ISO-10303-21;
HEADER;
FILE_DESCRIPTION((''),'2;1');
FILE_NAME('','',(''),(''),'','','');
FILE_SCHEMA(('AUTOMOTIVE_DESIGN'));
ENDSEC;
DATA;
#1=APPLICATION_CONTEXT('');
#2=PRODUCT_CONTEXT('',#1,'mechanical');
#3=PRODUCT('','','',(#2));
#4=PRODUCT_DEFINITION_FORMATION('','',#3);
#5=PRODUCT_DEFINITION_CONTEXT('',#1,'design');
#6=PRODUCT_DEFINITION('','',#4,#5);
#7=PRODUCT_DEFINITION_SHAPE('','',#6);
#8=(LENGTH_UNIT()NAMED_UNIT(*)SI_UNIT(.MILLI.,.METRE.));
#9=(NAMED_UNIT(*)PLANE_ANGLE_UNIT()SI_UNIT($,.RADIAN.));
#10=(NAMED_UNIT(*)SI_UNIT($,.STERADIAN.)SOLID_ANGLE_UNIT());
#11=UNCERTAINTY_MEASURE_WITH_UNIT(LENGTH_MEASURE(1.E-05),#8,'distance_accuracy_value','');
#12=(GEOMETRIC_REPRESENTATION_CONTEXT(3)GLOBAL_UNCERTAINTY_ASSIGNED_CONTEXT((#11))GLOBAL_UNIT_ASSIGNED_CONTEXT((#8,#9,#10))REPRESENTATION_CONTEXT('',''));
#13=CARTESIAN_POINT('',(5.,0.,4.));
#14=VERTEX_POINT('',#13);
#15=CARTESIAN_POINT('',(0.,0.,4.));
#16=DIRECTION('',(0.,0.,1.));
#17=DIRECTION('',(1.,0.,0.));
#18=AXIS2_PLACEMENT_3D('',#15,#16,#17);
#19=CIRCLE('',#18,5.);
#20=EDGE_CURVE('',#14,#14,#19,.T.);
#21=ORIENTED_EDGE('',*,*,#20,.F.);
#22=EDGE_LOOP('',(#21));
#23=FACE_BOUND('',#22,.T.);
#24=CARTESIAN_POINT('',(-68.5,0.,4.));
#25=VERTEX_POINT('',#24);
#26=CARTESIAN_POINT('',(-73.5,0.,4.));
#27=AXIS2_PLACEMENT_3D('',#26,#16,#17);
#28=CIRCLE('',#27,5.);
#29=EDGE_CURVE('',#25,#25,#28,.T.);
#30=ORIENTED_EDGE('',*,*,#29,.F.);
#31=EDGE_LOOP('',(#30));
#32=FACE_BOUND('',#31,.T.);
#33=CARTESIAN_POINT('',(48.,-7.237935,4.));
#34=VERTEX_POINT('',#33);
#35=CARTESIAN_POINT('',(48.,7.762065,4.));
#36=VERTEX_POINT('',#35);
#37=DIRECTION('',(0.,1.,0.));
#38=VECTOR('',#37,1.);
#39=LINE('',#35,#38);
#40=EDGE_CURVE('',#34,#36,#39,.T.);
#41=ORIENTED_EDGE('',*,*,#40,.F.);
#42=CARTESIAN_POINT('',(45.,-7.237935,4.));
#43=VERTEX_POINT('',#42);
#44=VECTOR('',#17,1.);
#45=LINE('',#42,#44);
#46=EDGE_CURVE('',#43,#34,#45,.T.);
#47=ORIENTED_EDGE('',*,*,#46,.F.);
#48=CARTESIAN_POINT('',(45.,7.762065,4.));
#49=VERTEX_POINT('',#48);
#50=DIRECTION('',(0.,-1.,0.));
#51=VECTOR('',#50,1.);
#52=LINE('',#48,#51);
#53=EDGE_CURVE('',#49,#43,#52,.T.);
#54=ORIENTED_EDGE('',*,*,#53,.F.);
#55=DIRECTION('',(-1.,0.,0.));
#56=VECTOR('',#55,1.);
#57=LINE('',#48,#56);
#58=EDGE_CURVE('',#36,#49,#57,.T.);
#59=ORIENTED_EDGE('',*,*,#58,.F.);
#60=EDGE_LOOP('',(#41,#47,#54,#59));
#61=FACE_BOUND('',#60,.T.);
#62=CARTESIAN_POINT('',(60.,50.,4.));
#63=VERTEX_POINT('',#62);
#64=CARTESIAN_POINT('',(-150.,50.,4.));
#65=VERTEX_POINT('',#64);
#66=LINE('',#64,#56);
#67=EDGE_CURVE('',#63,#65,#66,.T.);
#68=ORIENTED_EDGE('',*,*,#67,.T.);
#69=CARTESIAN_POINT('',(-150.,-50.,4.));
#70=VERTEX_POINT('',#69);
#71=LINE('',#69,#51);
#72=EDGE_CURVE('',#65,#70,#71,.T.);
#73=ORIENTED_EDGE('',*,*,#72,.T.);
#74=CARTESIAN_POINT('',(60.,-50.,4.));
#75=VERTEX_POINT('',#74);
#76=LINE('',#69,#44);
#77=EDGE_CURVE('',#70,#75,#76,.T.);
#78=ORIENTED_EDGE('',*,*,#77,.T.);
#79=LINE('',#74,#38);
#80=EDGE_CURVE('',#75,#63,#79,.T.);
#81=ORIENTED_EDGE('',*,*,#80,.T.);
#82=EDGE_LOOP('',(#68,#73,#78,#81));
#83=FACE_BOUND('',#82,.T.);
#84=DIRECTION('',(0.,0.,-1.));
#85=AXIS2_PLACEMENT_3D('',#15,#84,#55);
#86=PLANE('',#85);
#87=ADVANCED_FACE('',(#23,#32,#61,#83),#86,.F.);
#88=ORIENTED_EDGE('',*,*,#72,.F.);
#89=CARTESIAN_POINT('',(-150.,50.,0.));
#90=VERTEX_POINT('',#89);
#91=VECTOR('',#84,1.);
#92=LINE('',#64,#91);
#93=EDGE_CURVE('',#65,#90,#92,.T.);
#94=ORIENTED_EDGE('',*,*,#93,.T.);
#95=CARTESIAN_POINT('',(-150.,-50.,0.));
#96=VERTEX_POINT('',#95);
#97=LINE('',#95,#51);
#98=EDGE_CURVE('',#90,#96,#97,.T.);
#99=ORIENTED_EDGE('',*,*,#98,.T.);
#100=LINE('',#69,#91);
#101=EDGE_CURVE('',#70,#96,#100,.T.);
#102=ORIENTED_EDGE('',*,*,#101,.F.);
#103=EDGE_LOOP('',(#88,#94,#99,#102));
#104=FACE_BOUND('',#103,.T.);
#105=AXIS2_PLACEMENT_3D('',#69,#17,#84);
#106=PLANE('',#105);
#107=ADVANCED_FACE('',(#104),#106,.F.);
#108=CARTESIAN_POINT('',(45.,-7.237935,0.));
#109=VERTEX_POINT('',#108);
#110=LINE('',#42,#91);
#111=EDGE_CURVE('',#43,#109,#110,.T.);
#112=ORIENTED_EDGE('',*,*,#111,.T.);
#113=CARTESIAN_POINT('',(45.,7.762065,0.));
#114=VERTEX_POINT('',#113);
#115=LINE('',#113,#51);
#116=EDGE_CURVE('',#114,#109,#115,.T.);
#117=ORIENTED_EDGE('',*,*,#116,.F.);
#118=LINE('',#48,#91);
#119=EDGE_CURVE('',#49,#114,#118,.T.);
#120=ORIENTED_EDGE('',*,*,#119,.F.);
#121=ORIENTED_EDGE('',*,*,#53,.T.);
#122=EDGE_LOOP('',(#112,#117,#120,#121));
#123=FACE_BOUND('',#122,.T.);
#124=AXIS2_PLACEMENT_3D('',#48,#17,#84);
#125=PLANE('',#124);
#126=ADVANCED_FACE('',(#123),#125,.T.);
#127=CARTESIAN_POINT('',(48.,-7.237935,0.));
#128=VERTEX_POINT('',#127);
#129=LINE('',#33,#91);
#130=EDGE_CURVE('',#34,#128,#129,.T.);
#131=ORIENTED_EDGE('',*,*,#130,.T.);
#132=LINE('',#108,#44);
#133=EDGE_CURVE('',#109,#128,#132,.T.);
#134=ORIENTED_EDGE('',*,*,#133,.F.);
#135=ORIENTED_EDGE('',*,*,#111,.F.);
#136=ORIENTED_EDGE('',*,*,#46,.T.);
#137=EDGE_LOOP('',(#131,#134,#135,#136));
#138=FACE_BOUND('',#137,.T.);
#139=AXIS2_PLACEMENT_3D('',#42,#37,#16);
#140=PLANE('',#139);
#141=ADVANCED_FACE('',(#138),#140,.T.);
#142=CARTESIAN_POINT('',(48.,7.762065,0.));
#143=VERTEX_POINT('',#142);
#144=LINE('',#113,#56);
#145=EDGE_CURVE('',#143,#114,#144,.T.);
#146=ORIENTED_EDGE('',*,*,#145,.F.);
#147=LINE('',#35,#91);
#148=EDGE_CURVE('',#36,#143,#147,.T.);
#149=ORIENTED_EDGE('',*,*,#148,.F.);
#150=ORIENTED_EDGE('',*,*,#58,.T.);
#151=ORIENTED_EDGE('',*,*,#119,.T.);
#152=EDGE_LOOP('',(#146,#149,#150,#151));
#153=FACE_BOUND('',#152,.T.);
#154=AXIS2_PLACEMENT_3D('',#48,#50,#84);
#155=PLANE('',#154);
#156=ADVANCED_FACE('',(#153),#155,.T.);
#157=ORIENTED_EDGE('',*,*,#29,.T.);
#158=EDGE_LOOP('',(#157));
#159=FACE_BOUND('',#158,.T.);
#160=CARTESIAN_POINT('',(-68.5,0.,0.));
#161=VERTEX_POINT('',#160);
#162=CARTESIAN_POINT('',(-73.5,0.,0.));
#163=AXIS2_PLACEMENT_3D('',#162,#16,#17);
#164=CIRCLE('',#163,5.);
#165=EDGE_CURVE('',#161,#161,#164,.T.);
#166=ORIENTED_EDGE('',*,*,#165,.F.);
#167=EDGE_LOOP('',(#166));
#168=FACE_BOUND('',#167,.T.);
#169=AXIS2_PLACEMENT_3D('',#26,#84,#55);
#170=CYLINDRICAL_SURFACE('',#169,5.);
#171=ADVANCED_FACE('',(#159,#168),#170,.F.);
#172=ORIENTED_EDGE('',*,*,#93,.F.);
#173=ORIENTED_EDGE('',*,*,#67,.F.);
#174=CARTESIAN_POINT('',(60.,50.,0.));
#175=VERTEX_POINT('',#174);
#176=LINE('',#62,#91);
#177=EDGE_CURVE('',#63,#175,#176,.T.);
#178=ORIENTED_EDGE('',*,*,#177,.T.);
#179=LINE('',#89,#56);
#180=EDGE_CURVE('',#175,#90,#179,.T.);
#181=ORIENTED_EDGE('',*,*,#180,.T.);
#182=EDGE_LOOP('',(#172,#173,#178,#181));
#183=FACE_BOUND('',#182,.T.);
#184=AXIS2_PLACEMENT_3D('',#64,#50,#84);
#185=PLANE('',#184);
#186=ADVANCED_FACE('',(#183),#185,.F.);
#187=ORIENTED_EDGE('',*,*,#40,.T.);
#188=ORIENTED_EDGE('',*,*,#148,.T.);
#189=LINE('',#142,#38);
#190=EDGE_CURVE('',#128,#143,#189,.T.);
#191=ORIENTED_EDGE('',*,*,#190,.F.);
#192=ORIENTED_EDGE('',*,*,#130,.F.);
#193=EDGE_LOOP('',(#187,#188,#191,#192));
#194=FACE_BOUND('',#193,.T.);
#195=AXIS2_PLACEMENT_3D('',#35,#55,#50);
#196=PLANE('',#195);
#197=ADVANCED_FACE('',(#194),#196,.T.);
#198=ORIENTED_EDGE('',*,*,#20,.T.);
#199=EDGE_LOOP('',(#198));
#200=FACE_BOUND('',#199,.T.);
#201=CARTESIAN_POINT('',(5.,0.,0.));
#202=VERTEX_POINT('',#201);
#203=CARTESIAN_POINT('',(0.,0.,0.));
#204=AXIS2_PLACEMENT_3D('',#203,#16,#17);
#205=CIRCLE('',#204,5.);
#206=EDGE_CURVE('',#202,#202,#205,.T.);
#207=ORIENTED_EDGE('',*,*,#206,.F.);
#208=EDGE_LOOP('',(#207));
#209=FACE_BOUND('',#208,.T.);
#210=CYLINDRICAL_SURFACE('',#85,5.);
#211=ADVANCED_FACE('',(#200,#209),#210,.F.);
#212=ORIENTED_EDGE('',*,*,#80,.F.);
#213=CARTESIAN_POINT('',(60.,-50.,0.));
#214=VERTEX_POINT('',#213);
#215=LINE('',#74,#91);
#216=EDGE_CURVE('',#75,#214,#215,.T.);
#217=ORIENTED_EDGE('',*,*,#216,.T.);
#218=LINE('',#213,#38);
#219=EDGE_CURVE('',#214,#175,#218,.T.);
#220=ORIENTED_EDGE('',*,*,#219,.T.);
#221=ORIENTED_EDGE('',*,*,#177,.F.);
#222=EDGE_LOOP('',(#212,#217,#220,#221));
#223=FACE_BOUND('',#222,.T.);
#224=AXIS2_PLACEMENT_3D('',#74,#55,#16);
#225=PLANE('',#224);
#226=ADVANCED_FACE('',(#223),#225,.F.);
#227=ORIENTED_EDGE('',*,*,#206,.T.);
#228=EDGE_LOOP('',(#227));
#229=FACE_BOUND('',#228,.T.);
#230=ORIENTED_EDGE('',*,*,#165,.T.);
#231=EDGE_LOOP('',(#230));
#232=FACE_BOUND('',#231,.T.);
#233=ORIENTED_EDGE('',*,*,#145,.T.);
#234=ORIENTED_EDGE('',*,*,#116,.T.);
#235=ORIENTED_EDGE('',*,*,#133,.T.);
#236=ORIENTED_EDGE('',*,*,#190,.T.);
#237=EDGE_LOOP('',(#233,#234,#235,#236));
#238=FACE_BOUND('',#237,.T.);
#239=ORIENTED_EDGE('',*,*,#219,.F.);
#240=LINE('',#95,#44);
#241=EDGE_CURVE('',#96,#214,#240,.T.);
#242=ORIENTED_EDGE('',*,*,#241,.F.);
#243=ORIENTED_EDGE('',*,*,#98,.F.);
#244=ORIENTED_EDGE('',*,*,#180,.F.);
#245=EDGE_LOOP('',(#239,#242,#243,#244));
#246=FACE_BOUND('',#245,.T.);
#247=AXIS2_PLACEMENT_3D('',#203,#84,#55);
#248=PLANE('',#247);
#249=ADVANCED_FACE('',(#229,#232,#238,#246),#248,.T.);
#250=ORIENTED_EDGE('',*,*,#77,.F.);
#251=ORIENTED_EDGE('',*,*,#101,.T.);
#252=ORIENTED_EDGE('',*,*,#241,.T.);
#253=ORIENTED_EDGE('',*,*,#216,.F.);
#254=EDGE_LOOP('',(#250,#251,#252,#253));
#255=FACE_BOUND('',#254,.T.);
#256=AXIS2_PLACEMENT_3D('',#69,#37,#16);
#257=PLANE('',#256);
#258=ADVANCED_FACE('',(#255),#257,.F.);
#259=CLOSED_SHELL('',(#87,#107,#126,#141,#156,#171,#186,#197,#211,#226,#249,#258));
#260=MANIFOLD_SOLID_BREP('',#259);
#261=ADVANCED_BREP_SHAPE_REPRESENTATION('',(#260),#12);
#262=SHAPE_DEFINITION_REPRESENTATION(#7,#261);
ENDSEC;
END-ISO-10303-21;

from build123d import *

# Parameters (mm, degrees)
SKETCH1_W           = 210
SKETCH1_H           = 100
SKETCH1_R           = 5
SKETCH1_W_2         = 3
SKETCH1_H_2         = 15
BOSS_EXTRUDE1_DEPTH = 4


with BuildPart() as part:
    # Sketch1 → Boss-Extrude1 (new body)
    with BuildSketch(Plane.XY):
        with Locations((-45, 0)):
            Rectangle(SKETCH1_W, SKETCH1_H)
        Circle(SKETCH1_R, mode=Mode.SUBTRACT)
        with Locations((-73.5, 0)):
            Circle(SKETCH1_R, mode=Mode.SUBTRACT)
        with Locations((46.5, 0.26206532)):
            Rectangle(SKETCH1_W_2, SKETCH1_H_2, mode=Mode.SUBTRACT)
    extrude(amount=BOSS_EXTRUDE1_DEPTH)


solid = part.part
